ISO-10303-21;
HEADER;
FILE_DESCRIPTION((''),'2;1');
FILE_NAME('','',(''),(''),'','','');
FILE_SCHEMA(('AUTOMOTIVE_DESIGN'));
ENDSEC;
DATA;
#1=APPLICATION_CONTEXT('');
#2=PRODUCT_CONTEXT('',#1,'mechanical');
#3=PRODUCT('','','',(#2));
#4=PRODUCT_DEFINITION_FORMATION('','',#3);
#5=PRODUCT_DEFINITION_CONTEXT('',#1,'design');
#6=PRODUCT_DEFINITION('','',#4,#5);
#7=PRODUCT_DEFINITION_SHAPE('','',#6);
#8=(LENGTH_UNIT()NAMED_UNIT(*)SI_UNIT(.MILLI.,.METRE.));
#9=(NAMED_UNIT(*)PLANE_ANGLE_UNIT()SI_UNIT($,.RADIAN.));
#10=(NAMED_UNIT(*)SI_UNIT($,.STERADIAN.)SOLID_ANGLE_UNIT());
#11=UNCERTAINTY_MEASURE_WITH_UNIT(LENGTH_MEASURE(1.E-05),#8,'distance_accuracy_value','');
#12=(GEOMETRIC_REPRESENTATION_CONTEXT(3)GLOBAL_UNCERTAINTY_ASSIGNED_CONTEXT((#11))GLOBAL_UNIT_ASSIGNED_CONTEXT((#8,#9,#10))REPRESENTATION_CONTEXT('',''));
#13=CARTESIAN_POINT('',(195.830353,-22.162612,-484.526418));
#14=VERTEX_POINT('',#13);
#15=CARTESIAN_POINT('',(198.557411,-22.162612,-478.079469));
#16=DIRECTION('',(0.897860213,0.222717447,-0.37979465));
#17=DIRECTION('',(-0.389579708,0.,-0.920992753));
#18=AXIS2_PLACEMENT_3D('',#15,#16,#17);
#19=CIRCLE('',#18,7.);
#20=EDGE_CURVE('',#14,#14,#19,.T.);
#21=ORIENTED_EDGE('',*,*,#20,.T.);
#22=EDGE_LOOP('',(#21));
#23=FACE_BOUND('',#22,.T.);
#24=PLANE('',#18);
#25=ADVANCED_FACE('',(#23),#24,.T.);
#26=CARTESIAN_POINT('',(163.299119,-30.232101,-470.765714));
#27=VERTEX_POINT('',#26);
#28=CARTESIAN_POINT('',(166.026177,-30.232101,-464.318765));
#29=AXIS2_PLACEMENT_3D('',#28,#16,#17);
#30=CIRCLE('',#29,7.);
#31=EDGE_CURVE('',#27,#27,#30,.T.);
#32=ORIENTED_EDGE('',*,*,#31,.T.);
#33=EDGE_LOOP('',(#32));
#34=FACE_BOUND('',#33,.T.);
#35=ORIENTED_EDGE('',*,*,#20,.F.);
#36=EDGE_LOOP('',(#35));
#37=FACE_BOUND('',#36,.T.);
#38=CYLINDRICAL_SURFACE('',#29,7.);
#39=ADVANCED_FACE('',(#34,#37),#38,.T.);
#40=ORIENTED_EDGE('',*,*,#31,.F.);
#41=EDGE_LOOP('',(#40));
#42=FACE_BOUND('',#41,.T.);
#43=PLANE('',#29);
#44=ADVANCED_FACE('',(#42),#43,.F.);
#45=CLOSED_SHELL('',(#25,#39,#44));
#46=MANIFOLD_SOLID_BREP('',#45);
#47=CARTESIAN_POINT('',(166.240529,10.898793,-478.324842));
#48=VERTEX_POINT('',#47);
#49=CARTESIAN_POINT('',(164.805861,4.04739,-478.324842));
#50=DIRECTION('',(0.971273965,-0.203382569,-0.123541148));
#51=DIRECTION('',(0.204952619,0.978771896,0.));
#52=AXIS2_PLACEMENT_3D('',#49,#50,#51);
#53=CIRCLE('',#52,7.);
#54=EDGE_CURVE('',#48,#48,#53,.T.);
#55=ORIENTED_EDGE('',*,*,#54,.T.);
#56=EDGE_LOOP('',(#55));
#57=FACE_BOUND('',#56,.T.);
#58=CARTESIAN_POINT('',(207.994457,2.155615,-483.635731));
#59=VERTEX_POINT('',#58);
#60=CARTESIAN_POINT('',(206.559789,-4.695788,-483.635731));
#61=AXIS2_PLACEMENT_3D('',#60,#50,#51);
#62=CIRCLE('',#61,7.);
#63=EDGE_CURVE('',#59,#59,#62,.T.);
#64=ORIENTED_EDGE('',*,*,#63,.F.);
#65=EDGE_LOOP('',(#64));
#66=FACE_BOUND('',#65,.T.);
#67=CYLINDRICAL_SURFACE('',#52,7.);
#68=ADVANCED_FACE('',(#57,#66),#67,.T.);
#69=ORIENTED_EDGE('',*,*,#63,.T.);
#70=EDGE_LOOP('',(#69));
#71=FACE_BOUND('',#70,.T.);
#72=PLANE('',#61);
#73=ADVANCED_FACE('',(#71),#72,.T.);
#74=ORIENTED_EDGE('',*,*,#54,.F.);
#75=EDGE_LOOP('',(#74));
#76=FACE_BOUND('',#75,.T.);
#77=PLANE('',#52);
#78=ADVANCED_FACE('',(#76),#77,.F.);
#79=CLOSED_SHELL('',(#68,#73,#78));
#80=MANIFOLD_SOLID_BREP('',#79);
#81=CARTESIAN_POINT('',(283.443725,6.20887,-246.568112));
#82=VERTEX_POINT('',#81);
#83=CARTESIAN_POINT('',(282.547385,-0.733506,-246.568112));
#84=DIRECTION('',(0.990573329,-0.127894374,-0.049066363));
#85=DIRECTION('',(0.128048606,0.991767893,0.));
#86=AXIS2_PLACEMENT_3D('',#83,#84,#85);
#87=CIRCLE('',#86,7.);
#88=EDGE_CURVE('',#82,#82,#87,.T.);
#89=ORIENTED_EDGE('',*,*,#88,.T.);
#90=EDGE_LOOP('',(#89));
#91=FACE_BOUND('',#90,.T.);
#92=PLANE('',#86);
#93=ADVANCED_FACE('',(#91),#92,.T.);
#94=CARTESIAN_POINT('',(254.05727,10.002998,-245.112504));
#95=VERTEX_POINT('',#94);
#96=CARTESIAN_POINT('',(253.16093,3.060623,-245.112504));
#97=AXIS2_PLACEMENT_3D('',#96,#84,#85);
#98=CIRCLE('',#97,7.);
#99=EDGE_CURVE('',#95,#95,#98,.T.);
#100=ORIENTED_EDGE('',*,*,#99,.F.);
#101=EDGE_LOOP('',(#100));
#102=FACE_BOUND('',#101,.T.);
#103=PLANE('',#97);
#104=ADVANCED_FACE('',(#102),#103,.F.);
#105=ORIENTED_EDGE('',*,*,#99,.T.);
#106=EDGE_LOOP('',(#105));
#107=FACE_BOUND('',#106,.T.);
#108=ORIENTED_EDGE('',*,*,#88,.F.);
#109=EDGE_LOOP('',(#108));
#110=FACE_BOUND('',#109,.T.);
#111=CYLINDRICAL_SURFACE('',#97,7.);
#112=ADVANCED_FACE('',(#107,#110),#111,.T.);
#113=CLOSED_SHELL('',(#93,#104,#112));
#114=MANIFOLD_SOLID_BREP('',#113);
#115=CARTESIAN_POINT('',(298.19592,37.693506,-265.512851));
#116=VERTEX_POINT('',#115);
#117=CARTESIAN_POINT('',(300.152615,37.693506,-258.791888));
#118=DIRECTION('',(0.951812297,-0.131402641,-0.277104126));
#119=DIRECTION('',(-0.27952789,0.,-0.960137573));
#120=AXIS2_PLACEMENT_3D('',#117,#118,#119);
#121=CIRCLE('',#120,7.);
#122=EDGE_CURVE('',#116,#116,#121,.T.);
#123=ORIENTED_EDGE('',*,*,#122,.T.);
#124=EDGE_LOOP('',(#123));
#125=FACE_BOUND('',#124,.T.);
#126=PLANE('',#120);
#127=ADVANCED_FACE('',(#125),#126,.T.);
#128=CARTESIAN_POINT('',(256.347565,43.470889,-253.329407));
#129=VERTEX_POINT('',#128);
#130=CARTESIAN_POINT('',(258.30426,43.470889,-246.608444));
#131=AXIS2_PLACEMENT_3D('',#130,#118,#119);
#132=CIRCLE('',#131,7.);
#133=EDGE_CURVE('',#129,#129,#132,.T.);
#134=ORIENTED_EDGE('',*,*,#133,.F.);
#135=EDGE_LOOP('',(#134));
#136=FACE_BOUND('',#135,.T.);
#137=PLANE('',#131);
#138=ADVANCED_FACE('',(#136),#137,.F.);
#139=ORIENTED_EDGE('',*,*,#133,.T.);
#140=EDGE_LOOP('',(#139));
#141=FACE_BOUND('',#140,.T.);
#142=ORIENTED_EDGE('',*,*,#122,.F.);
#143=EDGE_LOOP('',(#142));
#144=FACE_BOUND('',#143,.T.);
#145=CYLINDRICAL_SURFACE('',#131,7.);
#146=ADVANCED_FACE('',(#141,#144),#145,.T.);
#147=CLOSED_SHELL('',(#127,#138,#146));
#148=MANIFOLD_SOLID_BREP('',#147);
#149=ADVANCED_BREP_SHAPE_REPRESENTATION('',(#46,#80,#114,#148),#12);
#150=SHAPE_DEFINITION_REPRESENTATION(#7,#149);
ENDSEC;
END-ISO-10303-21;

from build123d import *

# Parameters (mm, degrees)
SUSP_FR_ROCKER_BRACKET_A_PROFILE_R   = 7
SUSP_FR_ROCKER_BRACKET_B_PROFILE_R   = 7
SUSP_FR_COILOVER_BRACKET_A_PROFILE_R = 7
SUSP_FR_COILOVER_BRACKET_B_PROFILE_R = 7


with BuildPart() as part:
    # SUSP_FR_rocker_bracket_a: sweep along a curve in space
    with BuildLine() as susp_fr_rocker_bracket_a_path:
        Line((258.30426, 43.4708888, -246.608444), (300.152615, 37.6935056, -258.791888))
    # SUSP_FR_rocker_bracket_a profile (on start of the path) → SUSP_FR_rocker_bracket_a (sweep)
    with BuildSketch(Plane(origin=(258.30426, 43.4708888, -246.608444), x_dir=(0.2795278895031742, 0, 0.9601375729497837), z_dir=(0.951812297367076, -0.13140264118773481, -0.27710412568147824))):
        Circle(SUSP_FR_ROCKER_BRACKET_A_PROFILE_R)
    sweep(path=susp_fr_rocker_bracket_a_path.line)


with BuildPart() as body_2:
    # SUSP_FR_rocker_bracket_b: sweep along a curve in space
    with BuildLine() as susp_fr_rocker_bracket_b_path:
        Line((253.16093, 3.06062272, -245.112504), (282.547385, -0.733505554, -246.568112))
    # SUSP_FR_rocker_bracket_b profile (on start of the path) → SUSP_FR_rocker_bracket_b (sweep)
    with BuildSketch(Plane(origin=(253.16093, 3.06062272, -245.112504), x_dir=(0.12804860626096684, 0.9917678934280055, 0), z_dir=(0.990573329465155, -0.12789437435696369, -0.04906636281770392))):
        Circle(SUSP_FR_ROCKER_BRACKET_B_PROFILE_R)
    sweep(path=susp_fr_rocker_bracket_b_path.line)


with BuildPart() as body_3:
    # SUSP_FR_coilover_bracket_a: sweep along a curve in space
    with BuildLine() as susp_fr_coilover_bracket_a_path:
        Line((164.805861, 4.04738961, -478.324842), (206.559789, -4.69578838, -483.635731))
    # SUSP_FR_coilover_bracket_a profile (on start of the path) → SUSP_FR_coilover_bracket_a (sweep)
    with BuildSketch(Plane(origin=(164.805861, 4.04738961, -478.324842), x_dir=(0.2049526189830252, 0.9787718957816468, 0), z_dir=(0.9712739650393727, -0.20338256926132248, -0.1235411484379151))):
        Circle(SUSP_FR_COILOVER_BRACKET_A_PROFILE_R)
    sweep(path=susp_fr_coilover_bracket_a_path.line)


with BuildPart() as body_4:
    # SUSP_FR_coilover_bracket_b: sweep along a curve in space
    with BuildLine() as susp_fr_coilover_bracket_b_path:
        Line((166.026177, -30.2321009, -464.318765), (198.557411, -22.1626116, -478.079469))
    # SUSP_FR_coilover_bracket_b profile (on start of the path) → SUSP_FR_coilover_bracket_b (sweep)
    with BuildSketch(Plane(origin=(166.026177, -30.2321009, -464.318765), x_dir=(0.3895797084653776, 0, 0.9209927528227524), z_dir=(0.8978602133296604, 0.22271744700368298, -0.37979464993569667))):
        Circle(SUSP_FR_COILOVER_BRACKET_B_PROFILE_R)
    sweep(path=susp_fr_coilover_bracket_b_path.line)


solid = Compound([part.part, body_2.part, body_3.part, body_4.part])
